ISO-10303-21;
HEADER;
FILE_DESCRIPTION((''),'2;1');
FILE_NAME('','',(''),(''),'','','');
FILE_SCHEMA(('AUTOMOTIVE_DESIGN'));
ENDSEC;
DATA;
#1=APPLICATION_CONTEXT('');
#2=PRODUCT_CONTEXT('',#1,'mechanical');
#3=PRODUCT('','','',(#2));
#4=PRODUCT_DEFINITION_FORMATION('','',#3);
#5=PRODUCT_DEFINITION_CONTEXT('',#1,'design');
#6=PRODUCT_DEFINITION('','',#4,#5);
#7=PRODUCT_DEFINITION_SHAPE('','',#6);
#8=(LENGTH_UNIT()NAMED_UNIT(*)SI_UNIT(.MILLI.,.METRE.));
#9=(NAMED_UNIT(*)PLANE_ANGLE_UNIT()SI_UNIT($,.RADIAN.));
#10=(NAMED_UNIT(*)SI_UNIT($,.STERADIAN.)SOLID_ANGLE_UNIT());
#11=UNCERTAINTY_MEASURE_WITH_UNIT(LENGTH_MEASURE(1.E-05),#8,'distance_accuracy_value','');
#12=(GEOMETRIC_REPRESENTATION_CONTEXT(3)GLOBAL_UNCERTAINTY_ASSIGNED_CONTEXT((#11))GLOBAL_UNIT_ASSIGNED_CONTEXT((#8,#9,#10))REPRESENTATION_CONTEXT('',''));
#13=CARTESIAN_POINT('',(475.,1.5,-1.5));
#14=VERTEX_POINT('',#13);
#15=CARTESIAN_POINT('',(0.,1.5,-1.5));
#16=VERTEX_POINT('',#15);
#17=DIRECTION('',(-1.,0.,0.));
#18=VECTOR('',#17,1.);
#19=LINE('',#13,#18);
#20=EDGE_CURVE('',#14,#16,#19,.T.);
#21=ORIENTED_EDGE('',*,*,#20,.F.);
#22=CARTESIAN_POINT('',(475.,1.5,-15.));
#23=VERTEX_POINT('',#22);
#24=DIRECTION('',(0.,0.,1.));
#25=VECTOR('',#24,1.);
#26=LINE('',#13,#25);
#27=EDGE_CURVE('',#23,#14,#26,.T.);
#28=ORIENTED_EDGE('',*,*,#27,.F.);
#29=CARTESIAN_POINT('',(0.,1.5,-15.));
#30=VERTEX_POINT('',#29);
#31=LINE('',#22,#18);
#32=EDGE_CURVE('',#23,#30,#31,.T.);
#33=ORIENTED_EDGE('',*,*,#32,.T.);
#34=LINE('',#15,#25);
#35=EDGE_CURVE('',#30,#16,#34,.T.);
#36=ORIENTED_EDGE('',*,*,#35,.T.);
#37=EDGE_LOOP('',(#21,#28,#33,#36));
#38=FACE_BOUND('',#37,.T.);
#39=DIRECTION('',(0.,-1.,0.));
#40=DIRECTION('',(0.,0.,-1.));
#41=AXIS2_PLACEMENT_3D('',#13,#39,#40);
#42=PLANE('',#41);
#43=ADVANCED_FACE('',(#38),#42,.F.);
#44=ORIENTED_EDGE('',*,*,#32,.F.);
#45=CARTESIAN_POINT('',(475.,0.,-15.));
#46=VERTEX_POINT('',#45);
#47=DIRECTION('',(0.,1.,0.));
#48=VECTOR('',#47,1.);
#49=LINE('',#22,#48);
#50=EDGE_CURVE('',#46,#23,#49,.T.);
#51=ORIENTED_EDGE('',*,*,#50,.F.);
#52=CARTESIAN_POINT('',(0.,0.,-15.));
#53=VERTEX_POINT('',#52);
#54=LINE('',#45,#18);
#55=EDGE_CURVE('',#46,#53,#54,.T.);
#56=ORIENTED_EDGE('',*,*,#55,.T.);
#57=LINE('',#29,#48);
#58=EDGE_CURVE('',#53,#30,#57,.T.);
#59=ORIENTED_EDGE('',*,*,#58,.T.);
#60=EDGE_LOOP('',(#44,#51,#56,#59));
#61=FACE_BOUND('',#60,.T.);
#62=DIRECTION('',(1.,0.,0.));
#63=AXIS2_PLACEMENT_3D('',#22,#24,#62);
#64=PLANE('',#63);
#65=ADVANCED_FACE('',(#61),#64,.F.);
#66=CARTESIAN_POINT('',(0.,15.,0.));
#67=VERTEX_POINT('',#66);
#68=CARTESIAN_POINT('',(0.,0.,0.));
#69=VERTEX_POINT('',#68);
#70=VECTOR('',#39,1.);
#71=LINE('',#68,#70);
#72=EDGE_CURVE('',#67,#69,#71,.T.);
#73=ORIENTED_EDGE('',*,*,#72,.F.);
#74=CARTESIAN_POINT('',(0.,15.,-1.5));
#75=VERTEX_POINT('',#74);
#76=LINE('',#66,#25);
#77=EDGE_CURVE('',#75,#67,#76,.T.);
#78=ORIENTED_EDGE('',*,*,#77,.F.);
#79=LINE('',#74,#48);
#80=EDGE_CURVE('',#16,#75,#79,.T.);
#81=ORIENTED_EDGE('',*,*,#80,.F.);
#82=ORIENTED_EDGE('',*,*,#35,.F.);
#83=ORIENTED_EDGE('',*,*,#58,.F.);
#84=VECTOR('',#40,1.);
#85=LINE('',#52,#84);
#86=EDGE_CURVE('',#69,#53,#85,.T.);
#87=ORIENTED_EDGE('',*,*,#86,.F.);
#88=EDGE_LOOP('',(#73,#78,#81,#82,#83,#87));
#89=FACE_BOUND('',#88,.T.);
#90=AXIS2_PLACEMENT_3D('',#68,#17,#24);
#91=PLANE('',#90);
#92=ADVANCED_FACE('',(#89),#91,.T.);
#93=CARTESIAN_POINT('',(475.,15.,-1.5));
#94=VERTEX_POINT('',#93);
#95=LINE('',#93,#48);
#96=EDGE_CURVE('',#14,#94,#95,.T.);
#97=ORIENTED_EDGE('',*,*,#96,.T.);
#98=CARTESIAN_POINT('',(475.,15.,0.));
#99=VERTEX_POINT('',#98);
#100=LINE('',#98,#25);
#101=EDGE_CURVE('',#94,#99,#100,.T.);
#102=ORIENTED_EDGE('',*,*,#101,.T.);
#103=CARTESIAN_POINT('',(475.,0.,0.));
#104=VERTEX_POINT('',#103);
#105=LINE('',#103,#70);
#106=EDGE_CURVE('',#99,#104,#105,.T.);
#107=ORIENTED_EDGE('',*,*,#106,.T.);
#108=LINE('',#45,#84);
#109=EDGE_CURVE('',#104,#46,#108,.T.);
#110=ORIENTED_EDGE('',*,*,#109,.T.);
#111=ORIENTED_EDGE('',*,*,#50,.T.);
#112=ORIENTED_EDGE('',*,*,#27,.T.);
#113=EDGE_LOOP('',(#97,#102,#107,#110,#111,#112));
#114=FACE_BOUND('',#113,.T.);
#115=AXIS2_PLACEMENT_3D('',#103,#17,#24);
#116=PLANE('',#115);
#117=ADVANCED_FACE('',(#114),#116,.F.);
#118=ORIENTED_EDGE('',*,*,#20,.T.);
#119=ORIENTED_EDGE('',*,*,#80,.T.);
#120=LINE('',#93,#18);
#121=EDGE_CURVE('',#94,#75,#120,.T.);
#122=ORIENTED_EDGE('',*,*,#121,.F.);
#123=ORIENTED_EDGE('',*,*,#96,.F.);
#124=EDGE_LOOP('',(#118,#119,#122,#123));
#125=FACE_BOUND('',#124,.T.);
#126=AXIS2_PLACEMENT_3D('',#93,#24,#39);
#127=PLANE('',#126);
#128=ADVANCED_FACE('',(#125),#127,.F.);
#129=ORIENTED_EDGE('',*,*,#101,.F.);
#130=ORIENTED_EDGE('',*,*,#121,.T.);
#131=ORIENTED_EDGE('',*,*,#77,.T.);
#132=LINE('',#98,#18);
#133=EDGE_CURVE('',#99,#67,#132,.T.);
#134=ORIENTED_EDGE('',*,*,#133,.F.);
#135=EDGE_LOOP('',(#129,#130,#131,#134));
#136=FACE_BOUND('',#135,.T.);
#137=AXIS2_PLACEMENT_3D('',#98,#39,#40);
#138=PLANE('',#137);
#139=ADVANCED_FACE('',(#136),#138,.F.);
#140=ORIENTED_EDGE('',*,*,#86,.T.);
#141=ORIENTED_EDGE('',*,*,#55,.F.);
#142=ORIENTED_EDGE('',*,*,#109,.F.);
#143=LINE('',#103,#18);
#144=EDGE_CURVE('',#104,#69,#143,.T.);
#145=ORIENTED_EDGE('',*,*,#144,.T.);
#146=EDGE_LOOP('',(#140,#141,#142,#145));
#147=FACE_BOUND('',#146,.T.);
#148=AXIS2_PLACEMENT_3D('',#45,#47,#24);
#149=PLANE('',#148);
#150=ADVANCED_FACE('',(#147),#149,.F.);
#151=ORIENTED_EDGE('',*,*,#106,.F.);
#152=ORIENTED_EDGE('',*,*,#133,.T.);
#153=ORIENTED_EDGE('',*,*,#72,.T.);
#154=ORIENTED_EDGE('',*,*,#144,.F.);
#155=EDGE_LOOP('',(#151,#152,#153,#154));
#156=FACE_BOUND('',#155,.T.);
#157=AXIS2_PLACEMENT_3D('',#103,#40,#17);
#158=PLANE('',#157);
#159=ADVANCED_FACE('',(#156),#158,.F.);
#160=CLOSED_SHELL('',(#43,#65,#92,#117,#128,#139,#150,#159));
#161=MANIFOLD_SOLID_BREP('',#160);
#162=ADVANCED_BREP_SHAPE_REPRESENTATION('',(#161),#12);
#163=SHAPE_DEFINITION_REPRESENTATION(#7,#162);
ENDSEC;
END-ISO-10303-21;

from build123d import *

# Parameters (mm, degrees)
EXTRUDE_1_DEPTH = 475


with BuildPart() as part:
    # Эскиз1 → Бобышка-Вытянуть1 (new body)
    with BuildSketch(Plane(origin=(0, 0, 0), x_dir=(0, 0, -1), z_dir=(1, 0, 0))):
        Polygon((0, 0), (0, 15), (1.5, 15), (1.5, 1.5), (15, 1.5), (15, 0), align=None)
    extrude(amount=EXTRUDE_1_DEPTH)


solid = part.part
